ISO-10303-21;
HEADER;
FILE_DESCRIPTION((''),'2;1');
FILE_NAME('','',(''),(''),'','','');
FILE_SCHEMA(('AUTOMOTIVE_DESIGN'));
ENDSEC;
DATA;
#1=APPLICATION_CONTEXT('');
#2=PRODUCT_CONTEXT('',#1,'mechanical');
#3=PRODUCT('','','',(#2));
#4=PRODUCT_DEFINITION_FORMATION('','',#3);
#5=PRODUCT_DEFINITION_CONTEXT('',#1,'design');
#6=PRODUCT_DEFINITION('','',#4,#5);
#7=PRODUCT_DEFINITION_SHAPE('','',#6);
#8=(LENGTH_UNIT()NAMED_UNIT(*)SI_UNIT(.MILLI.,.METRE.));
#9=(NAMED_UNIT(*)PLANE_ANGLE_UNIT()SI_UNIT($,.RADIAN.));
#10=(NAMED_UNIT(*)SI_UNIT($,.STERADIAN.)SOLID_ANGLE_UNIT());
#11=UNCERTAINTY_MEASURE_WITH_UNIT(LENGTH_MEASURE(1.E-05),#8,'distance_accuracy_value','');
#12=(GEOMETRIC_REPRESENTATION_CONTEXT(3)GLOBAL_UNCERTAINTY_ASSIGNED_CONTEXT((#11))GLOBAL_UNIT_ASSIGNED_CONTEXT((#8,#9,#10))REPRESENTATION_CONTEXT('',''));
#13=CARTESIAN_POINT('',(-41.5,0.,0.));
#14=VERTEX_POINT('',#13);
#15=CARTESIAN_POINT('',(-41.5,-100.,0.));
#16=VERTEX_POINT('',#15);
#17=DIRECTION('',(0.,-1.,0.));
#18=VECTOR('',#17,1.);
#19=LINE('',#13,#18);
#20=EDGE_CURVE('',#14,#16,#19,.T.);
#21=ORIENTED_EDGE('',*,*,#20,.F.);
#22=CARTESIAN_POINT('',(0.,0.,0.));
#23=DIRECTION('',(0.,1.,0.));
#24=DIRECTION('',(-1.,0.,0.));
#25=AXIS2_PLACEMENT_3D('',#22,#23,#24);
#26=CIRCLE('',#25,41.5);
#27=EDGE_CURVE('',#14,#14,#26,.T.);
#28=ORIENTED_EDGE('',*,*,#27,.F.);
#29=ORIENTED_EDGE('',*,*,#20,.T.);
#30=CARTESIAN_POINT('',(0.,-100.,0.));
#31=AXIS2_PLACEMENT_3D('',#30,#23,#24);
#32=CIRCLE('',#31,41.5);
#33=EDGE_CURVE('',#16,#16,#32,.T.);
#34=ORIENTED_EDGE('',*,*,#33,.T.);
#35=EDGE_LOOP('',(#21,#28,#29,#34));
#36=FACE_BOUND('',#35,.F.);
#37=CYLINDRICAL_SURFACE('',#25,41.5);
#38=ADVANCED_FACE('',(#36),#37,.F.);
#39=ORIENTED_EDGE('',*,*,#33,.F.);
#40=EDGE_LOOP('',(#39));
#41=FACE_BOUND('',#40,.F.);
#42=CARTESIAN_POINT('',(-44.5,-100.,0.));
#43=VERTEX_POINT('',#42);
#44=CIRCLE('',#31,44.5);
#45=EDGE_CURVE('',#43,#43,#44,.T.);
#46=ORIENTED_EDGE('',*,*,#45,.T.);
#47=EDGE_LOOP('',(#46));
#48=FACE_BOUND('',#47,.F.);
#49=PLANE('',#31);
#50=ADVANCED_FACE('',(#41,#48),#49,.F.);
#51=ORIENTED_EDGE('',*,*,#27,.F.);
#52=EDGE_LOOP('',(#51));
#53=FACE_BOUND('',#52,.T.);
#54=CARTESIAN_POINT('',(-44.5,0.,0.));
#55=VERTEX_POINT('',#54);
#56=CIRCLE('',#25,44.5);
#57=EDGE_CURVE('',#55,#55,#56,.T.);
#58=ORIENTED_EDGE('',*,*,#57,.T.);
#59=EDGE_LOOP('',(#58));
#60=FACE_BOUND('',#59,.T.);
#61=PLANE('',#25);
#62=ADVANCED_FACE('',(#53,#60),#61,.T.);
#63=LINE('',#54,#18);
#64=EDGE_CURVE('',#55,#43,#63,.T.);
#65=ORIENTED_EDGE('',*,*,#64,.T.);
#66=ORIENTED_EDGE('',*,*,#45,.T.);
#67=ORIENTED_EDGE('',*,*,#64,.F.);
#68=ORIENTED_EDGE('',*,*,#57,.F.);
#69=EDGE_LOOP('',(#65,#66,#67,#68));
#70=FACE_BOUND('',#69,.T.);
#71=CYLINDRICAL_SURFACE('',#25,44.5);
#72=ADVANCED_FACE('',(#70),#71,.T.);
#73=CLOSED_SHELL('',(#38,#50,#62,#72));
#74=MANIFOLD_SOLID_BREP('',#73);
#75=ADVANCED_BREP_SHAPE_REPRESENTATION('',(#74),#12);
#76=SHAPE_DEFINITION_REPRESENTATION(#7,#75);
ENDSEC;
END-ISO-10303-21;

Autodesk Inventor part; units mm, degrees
ref_plane "YZ Plane" through (0, 0, 0) normal (1, 0, 0) x (0, 1, 0)
ref_plane "XZ Plane" through (0, 0, 0) normal (0, 1, 0) x (-1, 0, 0)
ref_plane "XY Plane" through (0, 0, 0) normal (0, 0, 1) x (1, 0, 0)
sketch "Sketch1" plane through (0, 0, 0) normal (0, 1, 0) x (-1, 0, 0)
  circle A0 centre (0, 0) radius 44.5
  circle A1 centre (0, 0) radius 41.5
  dimension "d0" = 89
  dimension "d1" = 3
extrude "Extrusion1" add sketch "Sketch1" against normal blind 100
properties part number "PRS 940-14 FDS tube 4"
